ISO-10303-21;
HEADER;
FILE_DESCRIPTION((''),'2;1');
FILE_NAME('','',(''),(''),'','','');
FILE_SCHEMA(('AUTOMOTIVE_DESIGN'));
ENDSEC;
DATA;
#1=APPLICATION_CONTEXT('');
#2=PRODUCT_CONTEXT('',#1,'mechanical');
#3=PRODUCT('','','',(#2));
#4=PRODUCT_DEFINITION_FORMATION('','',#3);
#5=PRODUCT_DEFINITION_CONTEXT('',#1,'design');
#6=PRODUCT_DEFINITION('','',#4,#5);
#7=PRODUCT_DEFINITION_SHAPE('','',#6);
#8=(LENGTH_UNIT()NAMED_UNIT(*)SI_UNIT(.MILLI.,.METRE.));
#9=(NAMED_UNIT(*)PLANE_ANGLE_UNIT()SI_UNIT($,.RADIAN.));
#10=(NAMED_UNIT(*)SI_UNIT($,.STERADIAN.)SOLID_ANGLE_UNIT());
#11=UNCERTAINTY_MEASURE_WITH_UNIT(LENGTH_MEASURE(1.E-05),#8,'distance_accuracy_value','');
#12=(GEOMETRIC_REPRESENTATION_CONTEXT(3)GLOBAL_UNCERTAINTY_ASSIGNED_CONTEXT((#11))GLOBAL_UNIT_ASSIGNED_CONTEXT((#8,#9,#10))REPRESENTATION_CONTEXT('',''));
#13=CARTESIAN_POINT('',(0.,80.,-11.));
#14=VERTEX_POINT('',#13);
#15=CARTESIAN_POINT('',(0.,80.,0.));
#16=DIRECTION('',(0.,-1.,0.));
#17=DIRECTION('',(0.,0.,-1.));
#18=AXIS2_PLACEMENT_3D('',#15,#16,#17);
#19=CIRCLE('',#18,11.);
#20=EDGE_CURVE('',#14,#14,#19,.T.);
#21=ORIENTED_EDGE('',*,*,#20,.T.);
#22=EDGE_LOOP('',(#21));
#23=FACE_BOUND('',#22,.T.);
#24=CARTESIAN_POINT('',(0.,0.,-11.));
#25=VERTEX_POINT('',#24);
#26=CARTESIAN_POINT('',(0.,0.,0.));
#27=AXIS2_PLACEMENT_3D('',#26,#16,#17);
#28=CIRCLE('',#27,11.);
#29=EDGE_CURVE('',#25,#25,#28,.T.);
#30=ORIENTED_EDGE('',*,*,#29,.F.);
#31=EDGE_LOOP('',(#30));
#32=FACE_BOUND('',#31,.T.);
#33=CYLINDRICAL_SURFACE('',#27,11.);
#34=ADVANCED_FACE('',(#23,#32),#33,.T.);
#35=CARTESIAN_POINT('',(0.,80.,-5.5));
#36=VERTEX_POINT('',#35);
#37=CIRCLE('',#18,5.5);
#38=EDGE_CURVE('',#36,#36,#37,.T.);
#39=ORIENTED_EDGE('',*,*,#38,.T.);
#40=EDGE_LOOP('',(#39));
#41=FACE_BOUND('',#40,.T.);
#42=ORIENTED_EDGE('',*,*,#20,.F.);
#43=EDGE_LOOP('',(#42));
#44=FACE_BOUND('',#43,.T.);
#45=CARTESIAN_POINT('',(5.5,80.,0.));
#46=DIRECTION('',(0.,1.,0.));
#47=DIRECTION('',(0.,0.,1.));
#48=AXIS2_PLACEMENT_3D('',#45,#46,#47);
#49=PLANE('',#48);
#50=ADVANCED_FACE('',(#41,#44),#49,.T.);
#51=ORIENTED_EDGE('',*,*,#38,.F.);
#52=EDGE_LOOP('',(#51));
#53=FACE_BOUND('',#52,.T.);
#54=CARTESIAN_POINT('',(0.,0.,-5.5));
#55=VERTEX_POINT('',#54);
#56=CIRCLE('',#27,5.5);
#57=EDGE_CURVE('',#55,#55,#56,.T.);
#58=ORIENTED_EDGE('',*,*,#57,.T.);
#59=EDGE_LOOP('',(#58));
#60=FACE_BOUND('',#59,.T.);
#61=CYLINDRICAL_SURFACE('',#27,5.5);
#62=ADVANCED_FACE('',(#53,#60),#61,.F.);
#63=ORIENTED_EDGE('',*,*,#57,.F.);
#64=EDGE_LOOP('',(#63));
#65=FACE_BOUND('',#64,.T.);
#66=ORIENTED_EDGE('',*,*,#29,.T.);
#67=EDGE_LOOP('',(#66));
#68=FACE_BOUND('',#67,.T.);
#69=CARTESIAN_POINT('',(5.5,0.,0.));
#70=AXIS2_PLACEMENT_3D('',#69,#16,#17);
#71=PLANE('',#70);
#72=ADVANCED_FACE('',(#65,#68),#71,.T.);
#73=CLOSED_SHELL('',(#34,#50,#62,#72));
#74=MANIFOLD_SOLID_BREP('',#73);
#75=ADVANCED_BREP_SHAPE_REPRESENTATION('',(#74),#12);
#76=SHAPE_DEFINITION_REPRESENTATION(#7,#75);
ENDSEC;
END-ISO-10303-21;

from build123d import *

# Parameters (mm, degrees)
SKETCH1_W = 5.5
SKETCH1_H = 80


with BuildPart() as part:
    # Sketch1 → Revolve1 (revolve)
    with BuildSketch(Plane.XY):
        with Locations((8.25, 40)):
            Rectangle(SKETCH1_W, SKETCH1_H)
    revolve(axis=Axis((0, 0, 0), (0, 1, 0)))


solid = part.part
